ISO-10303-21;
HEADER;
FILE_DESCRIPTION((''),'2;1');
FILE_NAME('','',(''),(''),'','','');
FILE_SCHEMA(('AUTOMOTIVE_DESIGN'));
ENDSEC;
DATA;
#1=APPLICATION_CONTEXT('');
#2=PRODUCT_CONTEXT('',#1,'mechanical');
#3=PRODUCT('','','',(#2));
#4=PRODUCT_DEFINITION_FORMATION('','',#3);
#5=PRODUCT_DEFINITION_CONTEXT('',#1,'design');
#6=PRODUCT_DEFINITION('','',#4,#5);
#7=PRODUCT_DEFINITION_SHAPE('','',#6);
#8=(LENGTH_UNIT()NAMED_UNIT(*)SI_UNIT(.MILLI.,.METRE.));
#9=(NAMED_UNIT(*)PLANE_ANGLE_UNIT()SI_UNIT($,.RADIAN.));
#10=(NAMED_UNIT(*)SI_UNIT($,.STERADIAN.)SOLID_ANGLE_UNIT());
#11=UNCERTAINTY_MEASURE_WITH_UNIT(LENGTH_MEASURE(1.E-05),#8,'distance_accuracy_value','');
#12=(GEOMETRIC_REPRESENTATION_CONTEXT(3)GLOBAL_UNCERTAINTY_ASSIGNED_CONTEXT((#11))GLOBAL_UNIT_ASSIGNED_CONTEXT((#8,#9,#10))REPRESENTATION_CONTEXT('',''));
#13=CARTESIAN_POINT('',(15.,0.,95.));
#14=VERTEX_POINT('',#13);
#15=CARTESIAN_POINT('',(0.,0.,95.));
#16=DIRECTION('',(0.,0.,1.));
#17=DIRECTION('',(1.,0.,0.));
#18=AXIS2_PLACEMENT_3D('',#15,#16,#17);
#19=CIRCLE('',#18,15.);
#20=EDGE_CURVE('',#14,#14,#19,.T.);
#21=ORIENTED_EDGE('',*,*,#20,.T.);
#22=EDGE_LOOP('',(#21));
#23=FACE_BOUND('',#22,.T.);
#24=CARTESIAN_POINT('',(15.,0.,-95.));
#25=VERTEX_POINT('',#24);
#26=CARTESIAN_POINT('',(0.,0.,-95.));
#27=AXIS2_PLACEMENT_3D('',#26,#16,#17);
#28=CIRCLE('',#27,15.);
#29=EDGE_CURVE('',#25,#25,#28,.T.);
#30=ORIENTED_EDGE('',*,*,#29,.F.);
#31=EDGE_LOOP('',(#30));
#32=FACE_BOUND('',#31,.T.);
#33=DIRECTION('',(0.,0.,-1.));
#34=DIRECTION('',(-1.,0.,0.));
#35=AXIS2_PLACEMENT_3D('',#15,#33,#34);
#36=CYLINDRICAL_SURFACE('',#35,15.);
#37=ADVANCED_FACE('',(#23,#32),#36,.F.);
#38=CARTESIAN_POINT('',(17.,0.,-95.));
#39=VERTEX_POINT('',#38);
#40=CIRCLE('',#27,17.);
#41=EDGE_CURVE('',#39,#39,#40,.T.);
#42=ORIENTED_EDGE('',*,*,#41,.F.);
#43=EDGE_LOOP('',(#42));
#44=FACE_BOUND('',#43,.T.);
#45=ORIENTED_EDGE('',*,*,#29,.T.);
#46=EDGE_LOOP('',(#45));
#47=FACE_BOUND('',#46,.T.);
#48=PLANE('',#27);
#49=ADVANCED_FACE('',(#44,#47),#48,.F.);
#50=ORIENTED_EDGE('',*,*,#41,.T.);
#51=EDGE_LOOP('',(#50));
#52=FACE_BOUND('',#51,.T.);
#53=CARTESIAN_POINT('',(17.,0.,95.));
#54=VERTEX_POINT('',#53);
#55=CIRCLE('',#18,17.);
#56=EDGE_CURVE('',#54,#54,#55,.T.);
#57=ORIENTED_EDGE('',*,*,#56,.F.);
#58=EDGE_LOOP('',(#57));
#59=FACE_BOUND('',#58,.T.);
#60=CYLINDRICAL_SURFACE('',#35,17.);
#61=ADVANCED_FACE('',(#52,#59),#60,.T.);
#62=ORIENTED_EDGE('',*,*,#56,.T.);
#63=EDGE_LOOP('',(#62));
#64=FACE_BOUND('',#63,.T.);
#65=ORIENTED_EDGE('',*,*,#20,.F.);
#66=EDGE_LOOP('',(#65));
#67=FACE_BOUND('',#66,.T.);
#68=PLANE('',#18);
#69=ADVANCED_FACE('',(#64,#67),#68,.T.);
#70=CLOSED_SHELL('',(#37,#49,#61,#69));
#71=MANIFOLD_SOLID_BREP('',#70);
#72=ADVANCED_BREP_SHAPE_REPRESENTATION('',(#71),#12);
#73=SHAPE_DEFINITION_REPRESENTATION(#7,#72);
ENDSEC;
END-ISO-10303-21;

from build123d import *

# Parameters (mm, degrees)
SKETCH1_R           = 17
SKETCH1_R_2         = 15
BOSS_EXTRUDE1_DEPTH = 95


with BuildPart() as part:
    # Sketch1 → Boss-Extrude1 (new, symmetric)
    with BuildSketch(Plane.XY):
        Circle(SKETCH1_R)
        Circle(SKETCH1_R_2, mode=Mode.SUBTRACT)
    extrude(amount=BOSS_EXTRUDE1_DEPTH, both=True)


solid = part.part
